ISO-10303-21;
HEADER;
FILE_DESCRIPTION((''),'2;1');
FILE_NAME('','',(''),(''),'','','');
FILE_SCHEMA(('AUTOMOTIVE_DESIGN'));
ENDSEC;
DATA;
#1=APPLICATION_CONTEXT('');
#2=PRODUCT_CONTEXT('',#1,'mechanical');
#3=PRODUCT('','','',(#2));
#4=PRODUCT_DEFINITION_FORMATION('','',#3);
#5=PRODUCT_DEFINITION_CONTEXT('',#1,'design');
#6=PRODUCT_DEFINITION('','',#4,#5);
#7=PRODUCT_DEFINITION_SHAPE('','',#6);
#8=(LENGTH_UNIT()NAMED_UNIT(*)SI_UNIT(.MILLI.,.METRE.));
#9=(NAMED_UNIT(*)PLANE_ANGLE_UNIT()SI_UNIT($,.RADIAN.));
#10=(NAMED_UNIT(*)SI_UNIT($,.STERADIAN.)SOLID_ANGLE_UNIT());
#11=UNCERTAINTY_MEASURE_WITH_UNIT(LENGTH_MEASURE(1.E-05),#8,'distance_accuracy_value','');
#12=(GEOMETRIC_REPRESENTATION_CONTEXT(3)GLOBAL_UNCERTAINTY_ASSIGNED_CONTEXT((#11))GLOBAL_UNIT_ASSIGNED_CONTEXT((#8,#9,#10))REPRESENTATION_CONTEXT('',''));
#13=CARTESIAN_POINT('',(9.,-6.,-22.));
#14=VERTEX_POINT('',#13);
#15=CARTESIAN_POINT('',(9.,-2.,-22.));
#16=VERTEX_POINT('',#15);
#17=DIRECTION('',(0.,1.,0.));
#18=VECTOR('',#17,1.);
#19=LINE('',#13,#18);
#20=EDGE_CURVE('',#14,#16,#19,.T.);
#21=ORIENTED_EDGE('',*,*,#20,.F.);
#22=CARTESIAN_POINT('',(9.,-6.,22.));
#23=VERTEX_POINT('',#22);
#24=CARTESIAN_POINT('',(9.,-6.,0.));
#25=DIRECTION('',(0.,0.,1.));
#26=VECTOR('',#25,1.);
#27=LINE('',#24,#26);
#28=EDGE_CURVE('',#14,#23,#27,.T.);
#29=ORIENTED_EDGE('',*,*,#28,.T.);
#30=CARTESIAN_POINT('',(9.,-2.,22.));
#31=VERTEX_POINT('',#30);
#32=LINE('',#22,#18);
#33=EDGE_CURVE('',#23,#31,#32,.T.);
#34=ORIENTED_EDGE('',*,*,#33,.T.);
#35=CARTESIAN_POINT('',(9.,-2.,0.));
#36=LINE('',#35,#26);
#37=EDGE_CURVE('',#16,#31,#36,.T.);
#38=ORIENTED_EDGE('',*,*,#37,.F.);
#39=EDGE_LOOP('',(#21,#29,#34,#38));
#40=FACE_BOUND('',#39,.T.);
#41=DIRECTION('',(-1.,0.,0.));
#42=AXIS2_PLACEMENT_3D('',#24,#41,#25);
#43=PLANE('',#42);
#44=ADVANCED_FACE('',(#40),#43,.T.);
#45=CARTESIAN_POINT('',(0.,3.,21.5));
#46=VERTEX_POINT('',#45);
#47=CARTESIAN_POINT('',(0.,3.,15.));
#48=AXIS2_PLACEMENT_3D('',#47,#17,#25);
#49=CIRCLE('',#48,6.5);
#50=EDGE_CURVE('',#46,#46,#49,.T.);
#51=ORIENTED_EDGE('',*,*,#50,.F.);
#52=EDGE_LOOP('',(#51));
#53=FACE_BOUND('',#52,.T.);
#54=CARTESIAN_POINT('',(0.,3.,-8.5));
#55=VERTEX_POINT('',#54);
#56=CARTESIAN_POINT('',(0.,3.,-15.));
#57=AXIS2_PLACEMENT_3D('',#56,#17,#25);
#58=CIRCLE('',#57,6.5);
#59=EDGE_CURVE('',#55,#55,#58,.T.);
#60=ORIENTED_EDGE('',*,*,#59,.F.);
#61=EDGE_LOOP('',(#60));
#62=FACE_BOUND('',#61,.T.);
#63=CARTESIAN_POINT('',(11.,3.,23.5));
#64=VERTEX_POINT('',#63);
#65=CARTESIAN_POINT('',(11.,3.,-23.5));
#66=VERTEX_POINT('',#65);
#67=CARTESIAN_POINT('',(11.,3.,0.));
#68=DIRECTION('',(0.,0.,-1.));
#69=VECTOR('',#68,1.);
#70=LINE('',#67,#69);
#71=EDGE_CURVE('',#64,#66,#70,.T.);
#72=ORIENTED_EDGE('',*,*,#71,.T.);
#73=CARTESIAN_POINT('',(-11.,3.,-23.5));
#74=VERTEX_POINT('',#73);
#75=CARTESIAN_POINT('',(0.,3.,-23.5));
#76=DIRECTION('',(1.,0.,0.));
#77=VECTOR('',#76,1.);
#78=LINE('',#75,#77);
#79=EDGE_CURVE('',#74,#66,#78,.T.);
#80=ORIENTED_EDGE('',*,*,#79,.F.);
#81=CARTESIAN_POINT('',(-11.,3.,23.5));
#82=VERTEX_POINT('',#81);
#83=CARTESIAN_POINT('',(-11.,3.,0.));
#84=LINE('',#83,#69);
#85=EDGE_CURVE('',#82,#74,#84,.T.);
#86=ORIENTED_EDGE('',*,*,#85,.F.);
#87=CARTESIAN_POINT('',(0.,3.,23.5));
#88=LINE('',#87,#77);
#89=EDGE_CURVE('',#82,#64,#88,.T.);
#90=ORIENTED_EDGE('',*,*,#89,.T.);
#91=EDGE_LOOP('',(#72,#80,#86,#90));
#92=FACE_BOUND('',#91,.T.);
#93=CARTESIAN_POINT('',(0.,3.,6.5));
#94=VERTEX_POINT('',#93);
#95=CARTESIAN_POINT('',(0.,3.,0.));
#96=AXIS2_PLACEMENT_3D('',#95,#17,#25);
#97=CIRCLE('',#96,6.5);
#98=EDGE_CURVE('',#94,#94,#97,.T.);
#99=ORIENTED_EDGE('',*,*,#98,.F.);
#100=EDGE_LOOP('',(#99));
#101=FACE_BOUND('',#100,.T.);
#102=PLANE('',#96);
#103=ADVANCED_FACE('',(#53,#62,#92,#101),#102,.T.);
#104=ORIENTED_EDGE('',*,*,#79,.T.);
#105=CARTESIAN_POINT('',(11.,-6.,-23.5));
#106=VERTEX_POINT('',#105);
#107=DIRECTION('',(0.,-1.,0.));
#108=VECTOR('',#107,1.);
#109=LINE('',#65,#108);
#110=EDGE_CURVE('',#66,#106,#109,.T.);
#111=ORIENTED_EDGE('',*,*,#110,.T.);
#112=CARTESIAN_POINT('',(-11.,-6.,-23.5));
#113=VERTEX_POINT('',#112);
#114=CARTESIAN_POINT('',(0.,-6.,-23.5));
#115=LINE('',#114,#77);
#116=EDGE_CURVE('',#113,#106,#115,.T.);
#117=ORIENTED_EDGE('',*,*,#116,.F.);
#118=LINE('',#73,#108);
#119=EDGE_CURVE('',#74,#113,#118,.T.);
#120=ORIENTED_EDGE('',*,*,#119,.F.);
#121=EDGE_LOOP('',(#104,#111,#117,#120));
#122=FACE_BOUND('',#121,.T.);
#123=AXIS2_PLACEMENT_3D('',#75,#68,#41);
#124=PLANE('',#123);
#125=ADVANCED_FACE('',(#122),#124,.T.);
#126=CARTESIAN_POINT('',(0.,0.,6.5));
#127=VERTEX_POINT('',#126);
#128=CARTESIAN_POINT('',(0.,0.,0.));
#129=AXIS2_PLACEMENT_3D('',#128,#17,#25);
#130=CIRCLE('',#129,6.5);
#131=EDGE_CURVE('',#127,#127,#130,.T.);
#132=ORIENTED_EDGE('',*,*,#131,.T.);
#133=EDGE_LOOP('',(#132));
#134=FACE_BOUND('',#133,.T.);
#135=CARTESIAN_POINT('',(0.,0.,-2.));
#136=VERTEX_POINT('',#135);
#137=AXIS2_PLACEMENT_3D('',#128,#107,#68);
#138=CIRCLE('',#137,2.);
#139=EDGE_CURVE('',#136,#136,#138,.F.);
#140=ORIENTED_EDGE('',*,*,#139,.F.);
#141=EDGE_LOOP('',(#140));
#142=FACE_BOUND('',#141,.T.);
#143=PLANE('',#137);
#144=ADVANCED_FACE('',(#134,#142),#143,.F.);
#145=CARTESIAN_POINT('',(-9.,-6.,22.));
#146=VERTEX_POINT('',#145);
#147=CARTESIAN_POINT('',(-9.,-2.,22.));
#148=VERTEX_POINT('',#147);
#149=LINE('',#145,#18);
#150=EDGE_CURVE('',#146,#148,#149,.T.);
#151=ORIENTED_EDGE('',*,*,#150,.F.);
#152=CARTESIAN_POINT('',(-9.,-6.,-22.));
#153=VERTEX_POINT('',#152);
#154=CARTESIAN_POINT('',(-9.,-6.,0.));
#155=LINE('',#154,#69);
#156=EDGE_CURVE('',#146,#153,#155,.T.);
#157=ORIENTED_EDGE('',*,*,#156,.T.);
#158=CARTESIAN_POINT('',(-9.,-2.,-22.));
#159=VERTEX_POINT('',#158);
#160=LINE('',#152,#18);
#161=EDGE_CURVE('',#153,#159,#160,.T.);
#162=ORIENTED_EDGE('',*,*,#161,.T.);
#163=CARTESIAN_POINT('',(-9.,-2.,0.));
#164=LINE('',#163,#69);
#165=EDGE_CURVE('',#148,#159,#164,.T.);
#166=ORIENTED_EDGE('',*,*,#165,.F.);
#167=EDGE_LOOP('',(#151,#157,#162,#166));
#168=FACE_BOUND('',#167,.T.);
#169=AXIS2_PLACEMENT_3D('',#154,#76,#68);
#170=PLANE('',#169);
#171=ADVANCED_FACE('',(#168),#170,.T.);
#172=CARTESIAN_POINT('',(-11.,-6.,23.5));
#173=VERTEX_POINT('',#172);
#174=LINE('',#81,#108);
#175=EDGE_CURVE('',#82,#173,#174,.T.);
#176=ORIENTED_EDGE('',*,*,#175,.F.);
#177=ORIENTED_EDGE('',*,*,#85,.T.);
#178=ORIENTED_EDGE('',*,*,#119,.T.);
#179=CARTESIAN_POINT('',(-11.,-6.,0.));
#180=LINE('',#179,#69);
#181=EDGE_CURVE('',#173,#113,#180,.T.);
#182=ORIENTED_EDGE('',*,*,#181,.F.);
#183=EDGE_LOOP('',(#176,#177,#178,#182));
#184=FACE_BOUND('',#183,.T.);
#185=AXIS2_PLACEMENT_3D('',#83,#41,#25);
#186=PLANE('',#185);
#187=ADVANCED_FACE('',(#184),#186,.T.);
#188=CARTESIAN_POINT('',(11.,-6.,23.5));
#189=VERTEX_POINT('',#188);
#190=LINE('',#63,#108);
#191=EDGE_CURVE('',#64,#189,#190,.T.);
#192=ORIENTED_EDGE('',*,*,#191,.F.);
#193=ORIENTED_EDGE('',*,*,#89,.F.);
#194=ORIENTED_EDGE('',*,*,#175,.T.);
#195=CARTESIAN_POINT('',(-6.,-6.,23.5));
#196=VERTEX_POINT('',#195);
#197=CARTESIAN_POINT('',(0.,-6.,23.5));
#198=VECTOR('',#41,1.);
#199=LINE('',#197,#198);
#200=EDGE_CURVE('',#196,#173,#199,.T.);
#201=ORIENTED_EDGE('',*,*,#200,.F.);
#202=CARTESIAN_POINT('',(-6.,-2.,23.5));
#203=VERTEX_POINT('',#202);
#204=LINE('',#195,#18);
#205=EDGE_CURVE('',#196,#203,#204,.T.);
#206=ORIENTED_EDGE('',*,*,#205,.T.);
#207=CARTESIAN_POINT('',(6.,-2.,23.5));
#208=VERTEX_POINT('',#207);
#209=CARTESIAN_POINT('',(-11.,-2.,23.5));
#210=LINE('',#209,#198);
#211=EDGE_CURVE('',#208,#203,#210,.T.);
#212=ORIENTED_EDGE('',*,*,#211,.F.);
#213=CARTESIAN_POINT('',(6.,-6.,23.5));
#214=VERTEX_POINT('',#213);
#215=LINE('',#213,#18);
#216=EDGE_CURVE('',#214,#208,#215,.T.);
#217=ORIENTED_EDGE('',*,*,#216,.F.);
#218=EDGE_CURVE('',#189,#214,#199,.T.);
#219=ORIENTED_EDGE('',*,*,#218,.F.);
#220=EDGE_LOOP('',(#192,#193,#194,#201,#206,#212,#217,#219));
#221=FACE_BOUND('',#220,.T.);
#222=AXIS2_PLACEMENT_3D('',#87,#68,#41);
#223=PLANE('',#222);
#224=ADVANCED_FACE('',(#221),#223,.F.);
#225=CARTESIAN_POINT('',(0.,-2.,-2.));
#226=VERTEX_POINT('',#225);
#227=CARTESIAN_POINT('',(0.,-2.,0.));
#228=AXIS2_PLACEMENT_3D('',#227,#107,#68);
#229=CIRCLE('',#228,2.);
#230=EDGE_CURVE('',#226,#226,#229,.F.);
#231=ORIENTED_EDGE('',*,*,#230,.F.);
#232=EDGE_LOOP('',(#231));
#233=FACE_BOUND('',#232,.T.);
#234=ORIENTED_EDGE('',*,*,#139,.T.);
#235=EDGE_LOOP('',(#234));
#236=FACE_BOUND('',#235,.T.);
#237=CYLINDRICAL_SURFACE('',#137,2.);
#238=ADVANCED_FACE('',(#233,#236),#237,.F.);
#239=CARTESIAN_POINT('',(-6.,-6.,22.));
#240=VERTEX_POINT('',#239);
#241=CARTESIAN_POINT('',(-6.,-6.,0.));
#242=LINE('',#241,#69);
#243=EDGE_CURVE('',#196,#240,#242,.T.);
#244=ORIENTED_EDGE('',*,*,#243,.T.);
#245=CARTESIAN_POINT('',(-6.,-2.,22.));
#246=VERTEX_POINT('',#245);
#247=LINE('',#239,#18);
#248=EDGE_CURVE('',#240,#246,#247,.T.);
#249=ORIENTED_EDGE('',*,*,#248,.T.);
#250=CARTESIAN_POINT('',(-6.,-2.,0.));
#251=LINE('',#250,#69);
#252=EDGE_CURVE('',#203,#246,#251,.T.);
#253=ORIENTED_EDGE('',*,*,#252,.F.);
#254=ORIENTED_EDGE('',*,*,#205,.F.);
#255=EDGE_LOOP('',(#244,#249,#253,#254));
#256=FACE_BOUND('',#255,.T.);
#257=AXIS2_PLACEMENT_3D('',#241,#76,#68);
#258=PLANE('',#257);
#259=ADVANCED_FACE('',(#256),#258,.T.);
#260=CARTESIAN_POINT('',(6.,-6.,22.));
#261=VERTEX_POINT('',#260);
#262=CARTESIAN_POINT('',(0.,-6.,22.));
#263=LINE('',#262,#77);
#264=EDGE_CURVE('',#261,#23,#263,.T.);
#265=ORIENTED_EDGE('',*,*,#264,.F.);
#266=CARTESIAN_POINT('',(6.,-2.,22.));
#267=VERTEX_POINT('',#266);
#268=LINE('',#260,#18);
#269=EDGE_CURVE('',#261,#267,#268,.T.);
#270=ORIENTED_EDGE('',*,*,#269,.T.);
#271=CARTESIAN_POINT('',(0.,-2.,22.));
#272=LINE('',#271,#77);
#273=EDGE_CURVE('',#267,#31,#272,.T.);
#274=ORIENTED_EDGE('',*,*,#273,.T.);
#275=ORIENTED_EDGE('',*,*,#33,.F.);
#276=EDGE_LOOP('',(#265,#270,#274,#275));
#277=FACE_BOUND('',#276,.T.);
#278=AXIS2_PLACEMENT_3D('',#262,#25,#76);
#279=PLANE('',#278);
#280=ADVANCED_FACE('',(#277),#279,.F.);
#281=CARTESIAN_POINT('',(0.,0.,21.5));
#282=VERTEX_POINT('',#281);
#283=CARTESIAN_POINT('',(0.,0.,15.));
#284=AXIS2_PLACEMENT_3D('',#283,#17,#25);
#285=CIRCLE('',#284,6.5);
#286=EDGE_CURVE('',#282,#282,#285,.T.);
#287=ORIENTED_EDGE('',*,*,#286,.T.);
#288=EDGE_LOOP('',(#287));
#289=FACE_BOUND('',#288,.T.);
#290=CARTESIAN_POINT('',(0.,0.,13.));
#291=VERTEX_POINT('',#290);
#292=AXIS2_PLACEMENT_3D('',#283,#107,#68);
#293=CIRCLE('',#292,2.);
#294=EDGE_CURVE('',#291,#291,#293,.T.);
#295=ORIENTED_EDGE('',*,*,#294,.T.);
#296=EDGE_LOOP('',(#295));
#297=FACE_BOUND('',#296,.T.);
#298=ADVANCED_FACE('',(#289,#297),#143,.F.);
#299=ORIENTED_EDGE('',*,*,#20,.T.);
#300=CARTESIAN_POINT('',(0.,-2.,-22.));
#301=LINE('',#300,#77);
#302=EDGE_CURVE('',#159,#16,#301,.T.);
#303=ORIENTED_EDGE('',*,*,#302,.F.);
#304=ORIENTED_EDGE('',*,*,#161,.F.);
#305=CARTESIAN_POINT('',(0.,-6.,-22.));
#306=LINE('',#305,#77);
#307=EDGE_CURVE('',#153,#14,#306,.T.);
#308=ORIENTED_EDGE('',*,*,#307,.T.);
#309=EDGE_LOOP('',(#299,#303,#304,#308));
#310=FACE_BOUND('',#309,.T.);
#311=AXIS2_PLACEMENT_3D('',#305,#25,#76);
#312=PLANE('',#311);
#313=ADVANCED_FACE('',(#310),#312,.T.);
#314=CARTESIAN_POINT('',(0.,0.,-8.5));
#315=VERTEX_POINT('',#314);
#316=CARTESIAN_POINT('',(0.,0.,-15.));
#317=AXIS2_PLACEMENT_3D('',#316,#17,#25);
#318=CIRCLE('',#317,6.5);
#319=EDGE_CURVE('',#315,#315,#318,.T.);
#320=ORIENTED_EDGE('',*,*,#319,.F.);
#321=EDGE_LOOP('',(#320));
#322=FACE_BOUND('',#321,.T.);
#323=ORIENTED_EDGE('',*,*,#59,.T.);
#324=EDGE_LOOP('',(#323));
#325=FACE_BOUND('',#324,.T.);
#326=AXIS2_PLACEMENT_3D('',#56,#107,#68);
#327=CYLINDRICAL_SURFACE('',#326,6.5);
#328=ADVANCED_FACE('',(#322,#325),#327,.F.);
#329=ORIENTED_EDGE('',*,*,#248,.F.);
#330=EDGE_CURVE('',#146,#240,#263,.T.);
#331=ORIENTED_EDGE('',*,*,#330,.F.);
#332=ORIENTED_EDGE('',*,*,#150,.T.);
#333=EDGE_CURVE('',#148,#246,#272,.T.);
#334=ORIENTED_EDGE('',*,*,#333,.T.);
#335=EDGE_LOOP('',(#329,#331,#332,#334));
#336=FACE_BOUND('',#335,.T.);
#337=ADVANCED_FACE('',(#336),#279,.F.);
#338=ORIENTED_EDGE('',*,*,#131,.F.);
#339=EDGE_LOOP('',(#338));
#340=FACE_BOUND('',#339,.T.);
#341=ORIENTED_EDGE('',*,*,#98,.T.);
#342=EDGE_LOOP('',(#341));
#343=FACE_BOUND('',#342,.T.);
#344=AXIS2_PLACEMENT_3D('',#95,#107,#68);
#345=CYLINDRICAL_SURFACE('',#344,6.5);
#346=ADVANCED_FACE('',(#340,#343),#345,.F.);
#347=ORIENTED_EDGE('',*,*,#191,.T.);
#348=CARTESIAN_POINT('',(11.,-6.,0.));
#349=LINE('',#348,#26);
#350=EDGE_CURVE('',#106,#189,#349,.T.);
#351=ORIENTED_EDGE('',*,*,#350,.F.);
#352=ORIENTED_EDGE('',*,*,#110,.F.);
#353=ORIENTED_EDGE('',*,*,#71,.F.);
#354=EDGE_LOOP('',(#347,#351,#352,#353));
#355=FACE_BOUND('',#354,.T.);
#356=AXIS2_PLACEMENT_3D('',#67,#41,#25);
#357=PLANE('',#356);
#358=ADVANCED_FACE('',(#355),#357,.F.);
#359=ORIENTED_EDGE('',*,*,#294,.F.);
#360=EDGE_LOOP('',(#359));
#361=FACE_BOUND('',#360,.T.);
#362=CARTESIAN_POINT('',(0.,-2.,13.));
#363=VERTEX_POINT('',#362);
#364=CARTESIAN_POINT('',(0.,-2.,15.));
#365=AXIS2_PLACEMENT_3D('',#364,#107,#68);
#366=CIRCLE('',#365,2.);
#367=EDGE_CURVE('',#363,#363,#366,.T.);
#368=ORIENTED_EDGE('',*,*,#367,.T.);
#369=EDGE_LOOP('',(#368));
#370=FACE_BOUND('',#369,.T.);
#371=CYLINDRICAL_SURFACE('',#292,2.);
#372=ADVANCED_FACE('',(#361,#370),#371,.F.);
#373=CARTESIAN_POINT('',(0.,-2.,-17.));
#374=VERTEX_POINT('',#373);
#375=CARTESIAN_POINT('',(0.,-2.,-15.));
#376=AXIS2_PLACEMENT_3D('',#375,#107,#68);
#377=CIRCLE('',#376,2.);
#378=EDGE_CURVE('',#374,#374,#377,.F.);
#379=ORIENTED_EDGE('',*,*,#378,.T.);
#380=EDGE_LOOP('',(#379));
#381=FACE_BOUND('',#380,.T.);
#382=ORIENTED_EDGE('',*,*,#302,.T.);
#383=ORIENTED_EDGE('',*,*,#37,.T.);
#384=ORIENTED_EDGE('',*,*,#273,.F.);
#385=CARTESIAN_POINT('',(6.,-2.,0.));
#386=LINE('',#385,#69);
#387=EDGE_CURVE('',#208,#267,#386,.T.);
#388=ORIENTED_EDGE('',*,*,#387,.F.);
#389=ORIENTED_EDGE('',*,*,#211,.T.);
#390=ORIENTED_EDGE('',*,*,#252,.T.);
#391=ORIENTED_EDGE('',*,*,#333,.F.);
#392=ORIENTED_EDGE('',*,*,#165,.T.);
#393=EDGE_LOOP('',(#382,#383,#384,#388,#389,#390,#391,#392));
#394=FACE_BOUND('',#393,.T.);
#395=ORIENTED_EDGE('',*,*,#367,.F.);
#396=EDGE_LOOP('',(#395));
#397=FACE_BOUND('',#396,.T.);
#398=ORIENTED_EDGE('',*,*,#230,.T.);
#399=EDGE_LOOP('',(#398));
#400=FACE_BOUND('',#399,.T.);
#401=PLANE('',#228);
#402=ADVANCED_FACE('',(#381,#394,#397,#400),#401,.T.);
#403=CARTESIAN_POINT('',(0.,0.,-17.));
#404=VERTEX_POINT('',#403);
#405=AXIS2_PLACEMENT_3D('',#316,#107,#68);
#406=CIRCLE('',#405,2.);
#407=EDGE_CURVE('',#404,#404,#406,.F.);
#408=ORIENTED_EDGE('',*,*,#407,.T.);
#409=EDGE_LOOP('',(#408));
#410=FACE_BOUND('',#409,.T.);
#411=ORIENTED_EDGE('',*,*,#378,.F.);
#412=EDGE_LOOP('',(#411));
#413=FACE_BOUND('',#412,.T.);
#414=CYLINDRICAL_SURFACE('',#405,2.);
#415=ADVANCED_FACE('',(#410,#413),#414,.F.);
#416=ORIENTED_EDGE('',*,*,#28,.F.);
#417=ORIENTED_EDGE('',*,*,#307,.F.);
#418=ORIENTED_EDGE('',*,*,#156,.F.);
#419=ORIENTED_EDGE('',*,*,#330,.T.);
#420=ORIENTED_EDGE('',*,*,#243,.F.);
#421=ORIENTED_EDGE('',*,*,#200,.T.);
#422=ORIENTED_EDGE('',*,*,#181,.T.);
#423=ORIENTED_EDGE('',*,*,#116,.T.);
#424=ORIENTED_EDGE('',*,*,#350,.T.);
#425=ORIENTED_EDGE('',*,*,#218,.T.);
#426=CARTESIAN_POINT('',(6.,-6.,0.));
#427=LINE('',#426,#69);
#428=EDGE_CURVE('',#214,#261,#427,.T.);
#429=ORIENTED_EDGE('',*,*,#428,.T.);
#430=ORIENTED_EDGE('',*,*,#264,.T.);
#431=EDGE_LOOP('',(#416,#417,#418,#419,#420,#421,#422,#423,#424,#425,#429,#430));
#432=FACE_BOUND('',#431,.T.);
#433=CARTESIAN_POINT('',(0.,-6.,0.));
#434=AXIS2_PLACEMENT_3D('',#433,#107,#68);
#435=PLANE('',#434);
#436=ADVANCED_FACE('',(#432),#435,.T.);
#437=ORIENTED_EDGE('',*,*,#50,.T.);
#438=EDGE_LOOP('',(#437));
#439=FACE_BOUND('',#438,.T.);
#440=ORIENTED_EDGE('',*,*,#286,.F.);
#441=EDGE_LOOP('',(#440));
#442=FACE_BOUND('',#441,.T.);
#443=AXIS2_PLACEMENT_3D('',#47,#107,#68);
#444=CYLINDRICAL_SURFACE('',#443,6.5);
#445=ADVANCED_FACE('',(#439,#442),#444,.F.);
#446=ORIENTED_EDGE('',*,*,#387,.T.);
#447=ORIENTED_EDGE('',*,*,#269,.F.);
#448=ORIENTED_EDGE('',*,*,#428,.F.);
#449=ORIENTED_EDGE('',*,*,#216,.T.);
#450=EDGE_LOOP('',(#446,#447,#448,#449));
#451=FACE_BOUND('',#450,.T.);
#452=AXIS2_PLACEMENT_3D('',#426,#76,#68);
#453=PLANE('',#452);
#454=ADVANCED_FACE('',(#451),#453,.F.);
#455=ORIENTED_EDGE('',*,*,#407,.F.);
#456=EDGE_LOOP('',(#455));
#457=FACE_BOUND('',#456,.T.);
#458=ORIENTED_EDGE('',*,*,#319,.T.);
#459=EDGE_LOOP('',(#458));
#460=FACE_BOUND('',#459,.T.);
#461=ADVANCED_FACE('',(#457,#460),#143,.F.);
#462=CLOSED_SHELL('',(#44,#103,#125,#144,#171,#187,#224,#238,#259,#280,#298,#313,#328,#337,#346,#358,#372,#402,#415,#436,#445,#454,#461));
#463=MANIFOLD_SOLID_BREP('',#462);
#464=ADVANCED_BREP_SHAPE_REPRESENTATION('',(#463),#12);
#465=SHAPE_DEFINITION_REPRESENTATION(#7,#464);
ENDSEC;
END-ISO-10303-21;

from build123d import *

# Parameters (mm, degrees)
SKETCH2_W           = 22
SKETCH2_H           = 47
SKETCH2_R           = 6.5
BOSS_EXTRUDE1_DEPTH = 3
SKETCH3_W           = 22
SKETCH3_H           = 47
BOSS_EXTRUDE2_DEPTH = 2
BOSS_EXTRUDE3_DEPTH = 4
SKETCH5_5_R         = 2
BOSS_EXTRUDE6_DEPTH = 1
SKETCH5_6_R         = 2
CUT_EXTRUDE1_DEPTH  = 2
SKETCH5_7_W         = 3
SKETCH5_7_H         = 1.5
BOSS_EXTRUDE7_DEPTH = 4


with BuildPart() as part:
    # Sketch2 → Boss-Extrude1 (new body)
    with BuildSketch(Plane(origin=(0, 0, 0), x_dir=(1, 0, 0), z_dir=(0, 1, 0))):
        Rectangle(SKETCH2_W, SKETCH2_H)
        Circle(SKETCH2_R, mode=Mode.SUBTRACT)
        with Locations((0, 15)):
            Circle(SKETCH2_R, mode=Mode.SUBTRACT)
        with Locations((0, -15)):
            Circle(SKETCH2_R, mode=Mode.SUBTRACT)
    extrude(amount=BOSS_EXTRUDE1_DEPTH)

    # Sketch3 → Boss-Extrude2 (add)
    with BuildSketch(Plane.XZ):
        Rectangle(SKETCH3_W, SKETCH3_H)
    extrude(amount=BOSS_EXTRUDE2_DEPTH)

    # Sketch5 → Boss-Extrude3 (add)
    with BuildSketch(Plane(origin=(0, -2, 0), x_dir=(-1, 0, 0), z_dir=(0, -1, 0))):
        Polygon((9, 22), (9, -22), (9, -23.5), (11, -23.5), (11, 23.5), (-11, 23.5), (-11, -23.5), (-9, -23.5), (-9, -22), (-9, 22), align=None)
    extrude(amount=BOSS_EXTRUDE3_DEPTH)

    # Sketch5<5> → Boss-Extrude6 (add)
    with BuildSketch(Plane(origin=(0, -2, 0), x_dir=(-1, 0, 0), z_dir=(0, -1, 0))):
        Circle(SKETCH5_5_R)
    extrude(amount=-BOSS_EXTRUDE6_DEPTH)

    # Sketch5<6> → Cut-Extrude1 (cut)
    with BuildSketch(Plane(origin=(0, -2, 0), x_dir=(-1, 0, 0), z_dir=(0, -1, 0))):
        Circle(SKETCH5_6_R)
        with Locations((0, -15)):
            Circle(SKETCH5_6_R)
        with Locations((0, 15)):
            Circle(SKETCH5_6_R)
    extrude(amount=-CUT_EXTRUDE1_DEPTH, mode=Mode.SUBTRACT)

    # Sketch5<7> → Boss-Extrude7 (add)
    with BuildSketch(Plane(origin=(0, -2, 0), x_dir=(-1, 0, 0), z_dir=(0, -1, 0))):
        with Locations((7.5, -22.75)):
            Rectangle(SKETCH5_7_W, SKETCH5_7_H)
        with Locations((-7.5, -22.75)):
            Rectangle(SKETCH5_7_W, SKETCH5_7_H)
    extrude(amount=BOSS_EXTRUDE7_DEPTH)


solid = part.part
